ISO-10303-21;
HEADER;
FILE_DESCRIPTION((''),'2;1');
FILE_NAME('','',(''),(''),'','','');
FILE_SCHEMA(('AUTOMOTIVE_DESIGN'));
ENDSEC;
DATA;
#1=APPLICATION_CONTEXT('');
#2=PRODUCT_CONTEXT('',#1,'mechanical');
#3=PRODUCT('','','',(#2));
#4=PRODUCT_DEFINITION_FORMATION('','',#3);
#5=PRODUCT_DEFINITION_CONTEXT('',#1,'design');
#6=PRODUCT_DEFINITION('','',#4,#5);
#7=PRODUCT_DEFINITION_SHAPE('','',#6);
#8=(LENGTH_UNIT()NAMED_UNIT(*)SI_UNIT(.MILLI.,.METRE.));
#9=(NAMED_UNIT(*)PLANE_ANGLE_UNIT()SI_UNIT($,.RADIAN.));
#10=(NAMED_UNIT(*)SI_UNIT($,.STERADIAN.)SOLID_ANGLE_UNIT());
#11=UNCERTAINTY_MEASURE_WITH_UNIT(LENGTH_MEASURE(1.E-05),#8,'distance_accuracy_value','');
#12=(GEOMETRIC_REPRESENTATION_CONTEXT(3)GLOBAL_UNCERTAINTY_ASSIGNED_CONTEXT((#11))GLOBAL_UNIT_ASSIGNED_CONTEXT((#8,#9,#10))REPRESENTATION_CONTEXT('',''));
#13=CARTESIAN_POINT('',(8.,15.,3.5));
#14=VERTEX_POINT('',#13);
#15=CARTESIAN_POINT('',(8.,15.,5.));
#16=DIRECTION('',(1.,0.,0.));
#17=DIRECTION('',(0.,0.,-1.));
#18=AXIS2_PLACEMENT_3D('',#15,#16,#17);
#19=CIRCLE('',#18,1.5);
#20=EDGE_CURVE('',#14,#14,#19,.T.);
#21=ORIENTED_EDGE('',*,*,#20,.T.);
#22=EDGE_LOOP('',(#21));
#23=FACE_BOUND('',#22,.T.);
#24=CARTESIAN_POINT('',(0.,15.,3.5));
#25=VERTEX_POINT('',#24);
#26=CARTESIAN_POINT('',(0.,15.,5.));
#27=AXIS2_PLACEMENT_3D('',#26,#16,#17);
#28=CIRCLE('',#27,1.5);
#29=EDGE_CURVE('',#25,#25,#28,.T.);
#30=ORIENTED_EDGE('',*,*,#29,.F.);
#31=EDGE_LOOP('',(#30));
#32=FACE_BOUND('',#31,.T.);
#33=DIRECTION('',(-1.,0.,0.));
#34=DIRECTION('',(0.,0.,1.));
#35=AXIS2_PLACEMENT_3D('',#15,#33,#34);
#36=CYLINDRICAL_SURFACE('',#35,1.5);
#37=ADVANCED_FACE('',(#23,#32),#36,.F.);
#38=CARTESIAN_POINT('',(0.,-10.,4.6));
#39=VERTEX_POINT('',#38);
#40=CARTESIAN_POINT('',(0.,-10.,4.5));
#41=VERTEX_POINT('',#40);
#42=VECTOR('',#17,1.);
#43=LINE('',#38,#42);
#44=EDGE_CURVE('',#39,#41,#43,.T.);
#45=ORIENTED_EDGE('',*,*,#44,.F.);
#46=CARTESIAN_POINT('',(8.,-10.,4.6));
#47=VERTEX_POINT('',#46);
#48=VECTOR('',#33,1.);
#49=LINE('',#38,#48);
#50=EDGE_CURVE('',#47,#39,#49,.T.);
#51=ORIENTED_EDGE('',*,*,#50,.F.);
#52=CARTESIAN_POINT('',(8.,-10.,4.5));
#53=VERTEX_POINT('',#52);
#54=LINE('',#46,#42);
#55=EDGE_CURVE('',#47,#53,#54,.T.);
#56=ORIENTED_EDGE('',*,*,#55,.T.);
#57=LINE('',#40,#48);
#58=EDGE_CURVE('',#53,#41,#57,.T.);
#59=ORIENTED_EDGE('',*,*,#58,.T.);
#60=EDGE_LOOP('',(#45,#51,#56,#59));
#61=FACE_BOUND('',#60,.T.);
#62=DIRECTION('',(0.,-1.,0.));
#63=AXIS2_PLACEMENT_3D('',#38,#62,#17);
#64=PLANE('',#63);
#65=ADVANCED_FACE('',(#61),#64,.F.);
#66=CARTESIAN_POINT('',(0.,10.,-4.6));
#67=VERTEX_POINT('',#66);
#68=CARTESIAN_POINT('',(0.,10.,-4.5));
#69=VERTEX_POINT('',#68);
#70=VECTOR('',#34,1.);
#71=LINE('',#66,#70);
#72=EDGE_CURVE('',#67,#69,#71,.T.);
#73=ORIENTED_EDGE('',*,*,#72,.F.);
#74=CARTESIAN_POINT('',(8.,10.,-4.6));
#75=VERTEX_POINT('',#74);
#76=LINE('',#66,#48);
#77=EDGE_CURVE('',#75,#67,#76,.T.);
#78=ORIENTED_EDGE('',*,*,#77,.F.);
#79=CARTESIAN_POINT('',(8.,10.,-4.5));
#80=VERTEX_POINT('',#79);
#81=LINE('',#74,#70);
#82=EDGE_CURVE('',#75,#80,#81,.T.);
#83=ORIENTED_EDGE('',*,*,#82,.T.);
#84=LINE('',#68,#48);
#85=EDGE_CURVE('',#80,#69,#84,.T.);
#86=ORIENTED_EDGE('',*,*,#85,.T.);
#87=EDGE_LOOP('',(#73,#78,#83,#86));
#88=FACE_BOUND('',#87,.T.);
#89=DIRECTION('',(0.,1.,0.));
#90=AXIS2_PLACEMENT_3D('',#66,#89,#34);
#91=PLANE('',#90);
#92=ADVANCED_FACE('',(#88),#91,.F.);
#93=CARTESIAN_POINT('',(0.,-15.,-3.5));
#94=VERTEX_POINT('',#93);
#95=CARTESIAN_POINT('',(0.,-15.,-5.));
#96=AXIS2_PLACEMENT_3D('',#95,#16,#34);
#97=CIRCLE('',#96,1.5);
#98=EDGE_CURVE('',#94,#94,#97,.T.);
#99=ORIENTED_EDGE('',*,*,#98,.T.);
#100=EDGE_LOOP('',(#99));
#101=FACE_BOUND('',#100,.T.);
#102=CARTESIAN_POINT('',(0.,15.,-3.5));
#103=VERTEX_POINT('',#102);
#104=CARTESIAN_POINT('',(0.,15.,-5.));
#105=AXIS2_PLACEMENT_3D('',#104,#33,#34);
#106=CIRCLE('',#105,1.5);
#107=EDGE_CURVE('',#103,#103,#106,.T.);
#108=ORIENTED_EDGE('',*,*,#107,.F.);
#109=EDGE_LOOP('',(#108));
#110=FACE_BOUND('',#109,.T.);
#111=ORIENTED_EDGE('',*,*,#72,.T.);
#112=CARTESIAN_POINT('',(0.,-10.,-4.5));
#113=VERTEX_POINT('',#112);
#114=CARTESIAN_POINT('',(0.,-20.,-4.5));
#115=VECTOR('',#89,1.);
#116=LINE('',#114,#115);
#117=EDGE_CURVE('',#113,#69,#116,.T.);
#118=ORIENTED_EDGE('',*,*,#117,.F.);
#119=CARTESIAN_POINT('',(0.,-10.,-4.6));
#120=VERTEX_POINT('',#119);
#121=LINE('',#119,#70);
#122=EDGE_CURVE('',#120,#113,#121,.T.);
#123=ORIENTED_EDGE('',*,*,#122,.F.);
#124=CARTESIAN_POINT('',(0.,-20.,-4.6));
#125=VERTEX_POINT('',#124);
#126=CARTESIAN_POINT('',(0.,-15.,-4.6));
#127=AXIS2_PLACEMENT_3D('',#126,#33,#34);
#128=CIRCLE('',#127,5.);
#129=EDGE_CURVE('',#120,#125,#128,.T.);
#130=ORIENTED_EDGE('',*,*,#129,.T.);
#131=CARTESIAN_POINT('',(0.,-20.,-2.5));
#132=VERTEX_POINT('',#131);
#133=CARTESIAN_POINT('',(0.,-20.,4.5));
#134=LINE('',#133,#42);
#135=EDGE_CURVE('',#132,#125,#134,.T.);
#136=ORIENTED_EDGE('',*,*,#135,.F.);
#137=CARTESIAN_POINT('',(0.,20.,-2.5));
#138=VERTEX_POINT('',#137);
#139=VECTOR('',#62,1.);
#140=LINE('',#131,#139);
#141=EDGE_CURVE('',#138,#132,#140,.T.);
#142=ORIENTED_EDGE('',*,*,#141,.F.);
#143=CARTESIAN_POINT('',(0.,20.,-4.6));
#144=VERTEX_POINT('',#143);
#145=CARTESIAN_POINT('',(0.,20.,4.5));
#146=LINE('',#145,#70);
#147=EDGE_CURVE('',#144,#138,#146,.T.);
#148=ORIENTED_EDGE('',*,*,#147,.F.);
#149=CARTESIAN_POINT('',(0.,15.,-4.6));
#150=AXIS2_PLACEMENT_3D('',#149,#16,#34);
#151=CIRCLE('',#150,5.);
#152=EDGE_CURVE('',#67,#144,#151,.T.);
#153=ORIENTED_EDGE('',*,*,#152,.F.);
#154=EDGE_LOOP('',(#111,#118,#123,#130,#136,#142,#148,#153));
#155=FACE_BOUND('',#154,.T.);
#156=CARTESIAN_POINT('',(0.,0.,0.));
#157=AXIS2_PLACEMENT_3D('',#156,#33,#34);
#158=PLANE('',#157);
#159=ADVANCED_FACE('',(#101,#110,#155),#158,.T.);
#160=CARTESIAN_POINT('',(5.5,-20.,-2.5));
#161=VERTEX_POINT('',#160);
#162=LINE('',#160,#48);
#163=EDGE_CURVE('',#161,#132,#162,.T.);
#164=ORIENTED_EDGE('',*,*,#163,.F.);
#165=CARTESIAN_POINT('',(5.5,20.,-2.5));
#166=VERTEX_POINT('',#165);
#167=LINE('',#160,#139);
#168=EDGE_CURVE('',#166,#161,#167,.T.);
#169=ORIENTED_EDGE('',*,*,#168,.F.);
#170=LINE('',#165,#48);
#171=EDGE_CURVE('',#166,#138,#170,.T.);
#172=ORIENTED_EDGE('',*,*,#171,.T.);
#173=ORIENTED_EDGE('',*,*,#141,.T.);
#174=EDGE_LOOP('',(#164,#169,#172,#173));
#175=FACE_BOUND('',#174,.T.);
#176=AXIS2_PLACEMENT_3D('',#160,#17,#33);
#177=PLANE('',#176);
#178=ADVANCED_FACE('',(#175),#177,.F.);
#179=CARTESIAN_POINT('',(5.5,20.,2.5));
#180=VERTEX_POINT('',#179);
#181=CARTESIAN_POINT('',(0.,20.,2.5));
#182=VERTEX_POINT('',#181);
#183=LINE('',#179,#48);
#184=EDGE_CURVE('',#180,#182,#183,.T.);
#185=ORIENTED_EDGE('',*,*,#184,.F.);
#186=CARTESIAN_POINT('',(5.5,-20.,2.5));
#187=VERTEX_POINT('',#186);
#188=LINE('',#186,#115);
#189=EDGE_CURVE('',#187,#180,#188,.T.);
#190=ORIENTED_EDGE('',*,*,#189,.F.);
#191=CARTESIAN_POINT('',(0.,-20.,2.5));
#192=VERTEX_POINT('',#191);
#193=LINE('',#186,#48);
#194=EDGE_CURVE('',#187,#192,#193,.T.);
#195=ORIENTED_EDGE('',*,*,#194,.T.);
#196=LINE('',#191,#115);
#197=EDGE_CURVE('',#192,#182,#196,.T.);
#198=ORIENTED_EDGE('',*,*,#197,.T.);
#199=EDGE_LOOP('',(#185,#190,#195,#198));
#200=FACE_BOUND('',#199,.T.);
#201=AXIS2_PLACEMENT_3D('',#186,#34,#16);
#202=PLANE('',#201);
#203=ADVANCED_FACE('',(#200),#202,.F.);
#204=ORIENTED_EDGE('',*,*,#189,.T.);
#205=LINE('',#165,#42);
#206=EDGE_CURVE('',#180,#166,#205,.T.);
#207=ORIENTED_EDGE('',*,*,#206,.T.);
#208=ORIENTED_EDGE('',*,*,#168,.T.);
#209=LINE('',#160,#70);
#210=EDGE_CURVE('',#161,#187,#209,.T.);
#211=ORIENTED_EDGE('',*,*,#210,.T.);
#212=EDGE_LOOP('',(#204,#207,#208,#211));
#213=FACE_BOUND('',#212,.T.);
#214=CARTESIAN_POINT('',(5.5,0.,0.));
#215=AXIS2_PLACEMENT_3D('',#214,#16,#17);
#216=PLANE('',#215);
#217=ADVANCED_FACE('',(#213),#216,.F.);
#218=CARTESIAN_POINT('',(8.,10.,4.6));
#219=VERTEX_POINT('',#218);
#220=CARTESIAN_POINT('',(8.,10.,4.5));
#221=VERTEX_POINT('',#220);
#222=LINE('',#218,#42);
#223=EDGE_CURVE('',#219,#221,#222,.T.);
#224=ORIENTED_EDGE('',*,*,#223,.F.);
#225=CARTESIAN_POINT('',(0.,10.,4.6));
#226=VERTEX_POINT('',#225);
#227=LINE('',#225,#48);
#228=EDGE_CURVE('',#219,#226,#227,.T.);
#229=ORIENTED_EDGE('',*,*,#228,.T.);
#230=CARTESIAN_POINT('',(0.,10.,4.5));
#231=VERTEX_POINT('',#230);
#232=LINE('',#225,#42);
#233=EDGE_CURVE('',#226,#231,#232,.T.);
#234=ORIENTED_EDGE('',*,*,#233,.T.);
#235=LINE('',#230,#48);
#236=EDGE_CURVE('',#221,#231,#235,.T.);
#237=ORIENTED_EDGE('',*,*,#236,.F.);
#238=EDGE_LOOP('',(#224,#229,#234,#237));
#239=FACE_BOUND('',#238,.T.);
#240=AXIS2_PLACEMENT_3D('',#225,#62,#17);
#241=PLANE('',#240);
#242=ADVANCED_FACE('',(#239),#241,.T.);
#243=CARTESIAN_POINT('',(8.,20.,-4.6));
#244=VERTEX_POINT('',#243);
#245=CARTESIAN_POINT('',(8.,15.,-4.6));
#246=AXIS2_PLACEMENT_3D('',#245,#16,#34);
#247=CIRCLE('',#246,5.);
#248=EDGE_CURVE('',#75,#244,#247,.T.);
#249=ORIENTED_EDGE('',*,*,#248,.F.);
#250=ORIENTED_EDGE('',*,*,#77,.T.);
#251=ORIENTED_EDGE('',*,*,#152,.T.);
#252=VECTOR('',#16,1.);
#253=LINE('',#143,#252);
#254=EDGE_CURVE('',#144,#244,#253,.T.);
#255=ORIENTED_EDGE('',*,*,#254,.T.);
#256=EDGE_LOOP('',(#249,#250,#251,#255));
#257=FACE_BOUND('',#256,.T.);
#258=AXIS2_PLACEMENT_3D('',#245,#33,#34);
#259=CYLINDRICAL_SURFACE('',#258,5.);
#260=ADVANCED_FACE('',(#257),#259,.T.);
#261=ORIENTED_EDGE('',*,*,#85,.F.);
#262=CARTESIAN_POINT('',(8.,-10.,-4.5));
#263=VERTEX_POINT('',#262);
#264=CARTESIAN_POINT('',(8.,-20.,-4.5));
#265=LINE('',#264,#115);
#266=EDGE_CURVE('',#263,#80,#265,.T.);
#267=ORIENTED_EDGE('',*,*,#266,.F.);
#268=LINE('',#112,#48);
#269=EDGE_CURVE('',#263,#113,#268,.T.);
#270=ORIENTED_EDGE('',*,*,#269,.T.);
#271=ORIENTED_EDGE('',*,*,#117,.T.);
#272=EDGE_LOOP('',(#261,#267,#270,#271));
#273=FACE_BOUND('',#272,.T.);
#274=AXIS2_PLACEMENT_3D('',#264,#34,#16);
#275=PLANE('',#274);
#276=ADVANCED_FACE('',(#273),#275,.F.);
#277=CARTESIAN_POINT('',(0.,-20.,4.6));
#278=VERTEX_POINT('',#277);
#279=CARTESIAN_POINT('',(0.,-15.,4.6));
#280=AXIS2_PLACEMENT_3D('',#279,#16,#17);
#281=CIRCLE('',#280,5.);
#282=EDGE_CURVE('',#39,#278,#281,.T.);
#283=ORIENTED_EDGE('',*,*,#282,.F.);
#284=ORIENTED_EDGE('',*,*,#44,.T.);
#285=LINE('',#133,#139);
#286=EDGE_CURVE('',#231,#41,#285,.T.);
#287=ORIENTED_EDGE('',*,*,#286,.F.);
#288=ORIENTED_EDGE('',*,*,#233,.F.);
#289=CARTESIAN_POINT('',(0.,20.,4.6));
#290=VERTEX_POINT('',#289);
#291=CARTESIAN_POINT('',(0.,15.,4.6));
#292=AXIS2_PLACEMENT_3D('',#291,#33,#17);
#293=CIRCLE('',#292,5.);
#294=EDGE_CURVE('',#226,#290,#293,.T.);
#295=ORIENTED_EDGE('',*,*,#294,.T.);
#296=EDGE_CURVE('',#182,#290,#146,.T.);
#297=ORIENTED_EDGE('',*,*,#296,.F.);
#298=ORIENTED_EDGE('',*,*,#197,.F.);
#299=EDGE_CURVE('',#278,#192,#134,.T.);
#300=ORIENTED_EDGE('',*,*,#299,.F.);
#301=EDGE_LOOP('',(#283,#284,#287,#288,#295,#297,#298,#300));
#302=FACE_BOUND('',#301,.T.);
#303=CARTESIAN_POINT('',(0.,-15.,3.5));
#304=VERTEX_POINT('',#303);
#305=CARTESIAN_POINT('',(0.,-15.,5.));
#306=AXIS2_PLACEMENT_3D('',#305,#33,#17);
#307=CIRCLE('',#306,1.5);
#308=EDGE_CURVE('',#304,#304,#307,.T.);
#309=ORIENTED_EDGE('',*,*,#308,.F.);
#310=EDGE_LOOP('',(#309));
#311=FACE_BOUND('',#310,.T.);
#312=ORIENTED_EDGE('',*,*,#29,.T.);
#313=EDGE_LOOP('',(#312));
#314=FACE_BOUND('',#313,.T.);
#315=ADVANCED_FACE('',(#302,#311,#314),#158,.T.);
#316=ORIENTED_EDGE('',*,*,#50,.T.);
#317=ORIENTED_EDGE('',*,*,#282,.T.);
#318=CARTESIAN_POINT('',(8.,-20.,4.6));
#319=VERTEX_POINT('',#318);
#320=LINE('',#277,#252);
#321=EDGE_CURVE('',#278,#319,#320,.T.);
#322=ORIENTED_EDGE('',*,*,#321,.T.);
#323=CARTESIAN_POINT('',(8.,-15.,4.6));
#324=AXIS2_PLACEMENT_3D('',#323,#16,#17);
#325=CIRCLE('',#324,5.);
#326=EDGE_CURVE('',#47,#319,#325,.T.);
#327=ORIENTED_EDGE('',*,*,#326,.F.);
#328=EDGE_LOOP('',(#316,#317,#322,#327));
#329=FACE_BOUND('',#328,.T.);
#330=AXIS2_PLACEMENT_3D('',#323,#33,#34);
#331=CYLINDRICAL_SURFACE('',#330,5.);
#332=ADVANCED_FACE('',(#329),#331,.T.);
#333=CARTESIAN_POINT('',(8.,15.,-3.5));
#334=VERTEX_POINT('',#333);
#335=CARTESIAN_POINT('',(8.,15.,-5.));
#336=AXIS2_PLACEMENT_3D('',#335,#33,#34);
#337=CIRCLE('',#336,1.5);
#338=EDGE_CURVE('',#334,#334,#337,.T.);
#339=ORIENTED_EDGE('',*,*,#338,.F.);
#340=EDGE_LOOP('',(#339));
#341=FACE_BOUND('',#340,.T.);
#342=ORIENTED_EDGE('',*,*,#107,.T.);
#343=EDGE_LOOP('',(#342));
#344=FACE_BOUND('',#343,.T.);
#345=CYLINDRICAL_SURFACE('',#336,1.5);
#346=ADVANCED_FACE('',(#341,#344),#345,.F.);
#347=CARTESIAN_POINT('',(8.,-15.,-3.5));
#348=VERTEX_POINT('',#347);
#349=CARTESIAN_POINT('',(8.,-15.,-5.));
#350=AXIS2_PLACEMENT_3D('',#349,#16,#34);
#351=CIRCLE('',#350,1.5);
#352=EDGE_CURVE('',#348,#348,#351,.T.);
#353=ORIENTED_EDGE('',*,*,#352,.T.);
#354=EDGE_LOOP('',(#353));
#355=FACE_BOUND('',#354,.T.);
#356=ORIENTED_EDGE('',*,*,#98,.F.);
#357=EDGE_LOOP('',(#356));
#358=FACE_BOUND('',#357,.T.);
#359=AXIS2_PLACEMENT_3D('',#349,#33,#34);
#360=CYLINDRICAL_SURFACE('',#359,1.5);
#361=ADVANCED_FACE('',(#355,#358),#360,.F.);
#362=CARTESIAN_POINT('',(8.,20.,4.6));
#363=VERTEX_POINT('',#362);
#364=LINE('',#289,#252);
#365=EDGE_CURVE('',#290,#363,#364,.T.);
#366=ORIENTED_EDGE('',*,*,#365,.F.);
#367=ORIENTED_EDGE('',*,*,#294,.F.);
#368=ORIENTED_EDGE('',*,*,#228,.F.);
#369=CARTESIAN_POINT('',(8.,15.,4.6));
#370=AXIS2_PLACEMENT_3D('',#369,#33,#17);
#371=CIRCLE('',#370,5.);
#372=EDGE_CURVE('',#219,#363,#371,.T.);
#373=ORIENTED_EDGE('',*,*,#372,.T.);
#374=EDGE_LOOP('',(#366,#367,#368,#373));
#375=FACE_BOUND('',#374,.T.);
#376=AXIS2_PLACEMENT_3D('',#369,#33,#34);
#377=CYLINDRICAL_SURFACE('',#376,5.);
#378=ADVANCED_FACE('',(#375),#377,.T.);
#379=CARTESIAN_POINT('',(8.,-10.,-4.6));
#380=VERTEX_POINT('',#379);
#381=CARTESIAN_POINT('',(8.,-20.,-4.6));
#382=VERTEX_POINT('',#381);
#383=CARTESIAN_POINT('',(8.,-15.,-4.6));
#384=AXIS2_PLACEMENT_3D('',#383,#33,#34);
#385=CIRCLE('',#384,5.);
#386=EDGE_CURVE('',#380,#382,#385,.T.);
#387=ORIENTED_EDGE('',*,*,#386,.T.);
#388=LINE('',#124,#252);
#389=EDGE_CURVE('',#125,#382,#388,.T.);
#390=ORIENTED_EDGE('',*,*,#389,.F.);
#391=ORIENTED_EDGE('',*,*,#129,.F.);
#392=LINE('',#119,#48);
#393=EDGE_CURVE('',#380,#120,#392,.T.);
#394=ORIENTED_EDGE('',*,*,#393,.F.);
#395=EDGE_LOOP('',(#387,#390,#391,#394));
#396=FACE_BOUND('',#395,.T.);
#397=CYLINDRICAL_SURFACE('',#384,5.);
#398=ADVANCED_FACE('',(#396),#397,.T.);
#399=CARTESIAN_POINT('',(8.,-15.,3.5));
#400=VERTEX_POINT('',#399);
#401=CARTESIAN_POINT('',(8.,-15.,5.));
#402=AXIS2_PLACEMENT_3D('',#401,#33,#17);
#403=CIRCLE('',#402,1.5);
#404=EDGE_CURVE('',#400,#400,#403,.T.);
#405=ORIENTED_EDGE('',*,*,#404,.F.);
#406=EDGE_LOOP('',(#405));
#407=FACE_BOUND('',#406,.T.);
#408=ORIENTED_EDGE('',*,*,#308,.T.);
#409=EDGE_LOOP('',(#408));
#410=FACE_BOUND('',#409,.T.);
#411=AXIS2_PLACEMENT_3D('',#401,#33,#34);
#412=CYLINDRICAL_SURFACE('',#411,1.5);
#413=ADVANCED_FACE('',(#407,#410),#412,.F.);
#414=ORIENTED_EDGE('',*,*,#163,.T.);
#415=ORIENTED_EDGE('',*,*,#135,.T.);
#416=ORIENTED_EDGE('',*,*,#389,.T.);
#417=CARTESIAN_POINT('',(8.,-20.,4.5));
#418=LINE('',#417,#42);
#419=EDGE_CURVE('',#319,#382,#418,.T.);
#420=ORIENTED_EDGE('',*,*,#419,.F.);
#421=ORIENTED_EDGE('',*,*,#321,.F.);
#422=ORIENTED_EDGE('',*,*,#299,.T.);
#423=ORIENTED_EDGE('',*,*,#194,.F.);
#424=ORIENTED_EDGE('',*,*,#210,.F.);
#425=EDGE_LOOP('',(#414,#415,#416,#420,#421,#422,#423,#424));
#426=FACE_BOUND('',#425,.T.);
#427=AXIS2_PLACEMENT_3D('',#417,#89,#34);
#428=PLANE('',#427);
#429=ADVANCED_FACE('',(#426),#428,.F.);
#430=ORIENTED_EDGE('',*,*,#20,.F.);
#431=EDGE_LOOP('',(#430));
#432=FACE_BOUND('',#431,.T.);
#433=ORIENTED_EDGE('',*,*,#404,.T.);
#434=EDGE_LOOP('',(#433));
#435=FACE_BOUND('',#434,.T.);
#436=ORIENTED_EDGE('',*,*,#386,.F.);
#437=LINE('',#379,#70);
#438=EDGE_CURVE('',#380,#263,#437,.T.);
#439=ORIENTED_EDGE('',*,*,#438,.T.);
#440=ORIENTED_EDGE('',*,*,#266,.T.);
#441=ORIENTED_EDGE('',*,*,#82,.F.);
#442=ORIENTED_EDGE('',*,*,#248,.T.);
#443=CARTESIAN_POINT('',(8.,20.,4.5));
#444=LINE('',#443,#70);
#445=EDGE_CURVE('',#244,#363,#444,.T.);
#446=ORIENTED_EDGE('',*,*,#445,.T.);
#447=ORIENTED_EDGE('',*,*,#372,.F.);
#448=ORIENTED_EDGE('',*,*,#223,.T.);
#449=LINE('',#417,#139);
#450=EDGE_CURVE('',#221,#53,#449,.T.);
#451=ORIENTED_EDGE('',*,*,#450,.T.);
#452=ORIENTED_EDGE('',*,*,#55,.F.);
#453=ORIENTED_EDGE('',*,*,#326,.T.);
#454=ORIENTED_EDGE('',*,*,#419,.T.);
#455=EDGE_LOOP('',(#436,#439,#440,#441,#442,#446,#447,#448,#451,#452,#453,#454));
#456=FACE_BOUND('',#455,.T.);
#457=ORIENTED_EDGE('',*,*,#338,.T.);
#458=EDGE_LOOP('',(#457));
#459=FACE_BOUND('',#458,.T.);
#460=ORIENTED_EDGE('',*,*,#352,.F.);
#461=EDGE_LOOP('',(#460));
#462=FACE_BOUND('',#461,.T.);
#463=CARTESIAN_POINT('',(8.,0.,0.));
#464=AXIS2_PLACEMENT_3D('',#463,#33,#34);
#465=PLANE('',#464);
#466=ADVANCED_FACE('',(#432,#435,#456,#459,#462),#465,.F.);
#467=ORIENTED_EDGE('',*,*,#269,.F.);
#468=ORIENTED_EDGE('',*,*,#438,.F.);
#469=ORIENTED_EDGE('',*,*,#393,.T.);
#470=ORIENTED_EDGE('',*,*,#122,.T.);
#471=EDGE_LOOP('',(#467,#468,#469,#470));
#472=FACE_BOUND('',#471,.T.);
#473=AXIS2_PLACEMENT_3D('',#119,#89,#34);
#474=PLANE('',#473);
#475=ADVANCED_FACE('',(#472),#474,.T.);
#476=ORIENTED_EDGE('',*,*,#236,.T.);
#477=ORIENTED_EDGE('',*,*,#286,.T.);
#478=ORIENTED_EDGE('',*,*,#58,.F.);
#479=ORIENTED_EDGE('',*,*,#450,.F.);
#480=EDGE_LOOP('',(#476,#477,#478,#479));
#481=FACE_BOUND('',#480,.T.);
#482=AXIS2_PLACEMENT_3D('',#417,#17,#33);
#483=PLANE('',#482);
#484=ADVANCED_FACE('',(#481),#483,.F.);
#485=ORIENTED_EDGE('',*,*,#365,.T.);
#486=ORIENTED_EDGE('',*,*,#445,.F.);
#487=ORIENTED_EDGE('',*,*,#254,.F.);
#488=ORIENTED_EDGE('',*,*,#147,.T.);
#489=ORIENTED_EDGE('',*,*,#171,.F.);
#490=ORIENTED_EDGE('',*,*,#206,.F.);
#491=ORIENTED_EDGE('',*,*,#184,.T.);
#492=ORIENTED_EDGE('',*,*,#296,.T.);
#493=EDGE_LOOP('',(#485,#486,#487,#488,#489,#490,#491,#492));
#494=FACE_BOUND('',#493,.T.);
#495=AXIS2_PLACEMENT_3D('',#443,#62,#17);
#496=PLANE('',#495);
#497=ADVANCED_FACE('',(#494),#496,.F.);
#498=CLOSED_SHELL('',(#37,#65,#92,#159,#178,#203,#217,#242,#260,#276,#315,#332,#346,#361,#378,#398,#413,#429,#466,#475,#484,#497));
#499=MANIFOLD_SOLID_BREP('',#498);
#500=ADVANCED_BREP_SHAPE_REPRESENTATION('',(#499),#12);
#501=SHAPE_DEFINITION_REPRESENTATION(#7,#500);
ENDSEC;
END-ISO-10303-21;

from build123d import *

# Parameters (mm, degrees)
ESQUISSE2_W               = 9
ESQUISSE2_H               = 40
BOSS_EXTRU_1_DEPTH        = 8
ESQUISSE3_W               = 5
ESQUISSE3_H               = 40
ENL_V_MAT_EXTRU_1_DEPTH   = 5.5
ESQUISSE4_W               = 8
ESQUISSE4_H               = 10
BOSS_EXTRU_2_DEPTH        = 0.1
BOSS_EXTRU_5_DEPTH        = 8
ESQUISSE14_R              = 1.5
ENL_V_MAT_EXTRU_4_DEPTH   = 24.583044757
SYM_TRIE5_COPY_1_SKETCH_W = 8
SYM_TRIE5_COPY_1_SKETCH_H = 10
SYM_TRIE5_COPY_1_DEPTH    = 0.1
SYM_TRIE5_COPY_2_DEPTH    = 8
SYM_TRIE5_COPY_3_SKETCH_R = 1.5
SYM_TRIE5_COPY_3_DEPTH    = 24.583044757


with BuildPart() as part:
    # Esquisse2 → Boss.-Extru.1 (new body)
    with BuildSketch(Plane(origin=(0, 0, 0), x_dir=(0, 0, -1), z_dir=(1, 0, 0))):
        Rectangle(ESQUISSE2_W, ESQUISSE2_H)
    extrude(amount=BOSS_EXTRU_1_DEPTH)

    # Esquisse3 → Enlèv. mat.-Extru.1 (cut)
    with BuildSketch(Plane.ZY):
        Rectangle(ESQUISSE3_W, ESQUISSE3_H)
    extrude(amount=-ENL_V_MAT_EXTRU_1_DEPTH, mode=Mode.SUBTRACT)

    # Esquisse4 → Boss.-Extru.2 (add)
    with BuildSketch(Plane(origin=(0, 0, -4.5), x_dir=(-1, 0, 0), z_dir=(0, 0, -1))):
        with Locations((-4, 15)):
            Rectangle(ESQUISSE4_W, ESQUISSE4_H)
    boss_extru_2 = extrude(amount=BOSS_EXTRU_2_DEPTH)

    # Esquisse13 → Boss.-Extru.5 (add)
    with BuildSketch(Plane(origin=(0, 0, 0), x_dir=(0, 0, -1), z_dir=(1, 0, 0))):
        with BuildLine():
            Line((4.6, 10), (4.6, 20))
            ThreePointArc((4.6, 20), (9.6, 15), (4.6, 10))
        make_face()
    boss_extru_5 = extrude(amount=BOSS_EXTRU_5_DEPTH)

    # Esquisse14 → Enlèv. mat.-Extru.4 (cut, through all)
    with BuildSketch(Plane.ZY):
        with Locations((-5, 15)):
            Circle(ESQUISSE14_R)
    enl_v_mat_extru_4 = extrude(amount=-ENL_V_MAT_EXTRU_4_DEPTH, mode=Mode.SUBTRACT)

    # Symétrie4: Boss.-Extru.2, Boss.-Extru.5, Enlèv. mat.-Extru.4 across plane
    add(boss_extru_2.mirror(Plane.XY))
    add(boss_extru_5.mirror(Plane.XY))
    add(enl_v_mat_extru_4.mirror(Plane.XY), mode=Mode.SUBTRACT)

    # Symétrie5: Boss.-Extru.2, Boss.-Extru.5, Enlèv. mat.-Extru.4 across plane
    add(boss_extru_2.mirror(Plane.ZX))
    add(boss_extru_5.mirror(Plane.ZX))
    add(enl_v_mat_extru_4.mirror(Plane.ZX), mode=Mode.SUBTRACT)

    # Symétrie5 copy 1 sketch → Symétrie5 copy 1 (add)
    with BuildSketch(Plane(origin=(0, 0, 4.5), x_dir=(-1, 0, 0), z_dir=(0, 0, 1))):
        with Locations((-4, 15)):
            Rectangle(SYM_TRIE5_COPY_1_SKETCH_W, SYM_TRIE5_COPY_1_SKETCH_H)
    extrude(amount=SYM_TRIE5_COPY_1_DEPTH)

    # Symétrie5 copy 2 sketch → Symétrie5 copy 2 (add)
    with BuildSketch(Plane(origin=(0, 0, 0), x_dir=(0, 0, 1), z_dir=(1, 0, 0))):
        with BuildLine():
            Line((4.6, 10), (4.6, 20))
            ThreePointArc((4.6, 20), (9.6, 15), (4.6, 10))
        make_face()
    extrude(amount=SYM_TRIE5_COPY_2_DEPTH)

    # Symétrie5 copy 3 sketch → Symétrie5 copy 3 (cut, through all)
    with BuildSketch(Plane(origin=(0, 0, 0), x_dir=(0, 0, -1), z_dir=(-1, 0, 0))):
        with Locations((-5, 15)):
            Circle(SYM_TRIE5_COPY_3_SKETCH_R)
    extrude(amount=-SYM_TRIE5_COPY_3_DEPTH, mode=Mode.SUBTRACT)


solid = part.part
